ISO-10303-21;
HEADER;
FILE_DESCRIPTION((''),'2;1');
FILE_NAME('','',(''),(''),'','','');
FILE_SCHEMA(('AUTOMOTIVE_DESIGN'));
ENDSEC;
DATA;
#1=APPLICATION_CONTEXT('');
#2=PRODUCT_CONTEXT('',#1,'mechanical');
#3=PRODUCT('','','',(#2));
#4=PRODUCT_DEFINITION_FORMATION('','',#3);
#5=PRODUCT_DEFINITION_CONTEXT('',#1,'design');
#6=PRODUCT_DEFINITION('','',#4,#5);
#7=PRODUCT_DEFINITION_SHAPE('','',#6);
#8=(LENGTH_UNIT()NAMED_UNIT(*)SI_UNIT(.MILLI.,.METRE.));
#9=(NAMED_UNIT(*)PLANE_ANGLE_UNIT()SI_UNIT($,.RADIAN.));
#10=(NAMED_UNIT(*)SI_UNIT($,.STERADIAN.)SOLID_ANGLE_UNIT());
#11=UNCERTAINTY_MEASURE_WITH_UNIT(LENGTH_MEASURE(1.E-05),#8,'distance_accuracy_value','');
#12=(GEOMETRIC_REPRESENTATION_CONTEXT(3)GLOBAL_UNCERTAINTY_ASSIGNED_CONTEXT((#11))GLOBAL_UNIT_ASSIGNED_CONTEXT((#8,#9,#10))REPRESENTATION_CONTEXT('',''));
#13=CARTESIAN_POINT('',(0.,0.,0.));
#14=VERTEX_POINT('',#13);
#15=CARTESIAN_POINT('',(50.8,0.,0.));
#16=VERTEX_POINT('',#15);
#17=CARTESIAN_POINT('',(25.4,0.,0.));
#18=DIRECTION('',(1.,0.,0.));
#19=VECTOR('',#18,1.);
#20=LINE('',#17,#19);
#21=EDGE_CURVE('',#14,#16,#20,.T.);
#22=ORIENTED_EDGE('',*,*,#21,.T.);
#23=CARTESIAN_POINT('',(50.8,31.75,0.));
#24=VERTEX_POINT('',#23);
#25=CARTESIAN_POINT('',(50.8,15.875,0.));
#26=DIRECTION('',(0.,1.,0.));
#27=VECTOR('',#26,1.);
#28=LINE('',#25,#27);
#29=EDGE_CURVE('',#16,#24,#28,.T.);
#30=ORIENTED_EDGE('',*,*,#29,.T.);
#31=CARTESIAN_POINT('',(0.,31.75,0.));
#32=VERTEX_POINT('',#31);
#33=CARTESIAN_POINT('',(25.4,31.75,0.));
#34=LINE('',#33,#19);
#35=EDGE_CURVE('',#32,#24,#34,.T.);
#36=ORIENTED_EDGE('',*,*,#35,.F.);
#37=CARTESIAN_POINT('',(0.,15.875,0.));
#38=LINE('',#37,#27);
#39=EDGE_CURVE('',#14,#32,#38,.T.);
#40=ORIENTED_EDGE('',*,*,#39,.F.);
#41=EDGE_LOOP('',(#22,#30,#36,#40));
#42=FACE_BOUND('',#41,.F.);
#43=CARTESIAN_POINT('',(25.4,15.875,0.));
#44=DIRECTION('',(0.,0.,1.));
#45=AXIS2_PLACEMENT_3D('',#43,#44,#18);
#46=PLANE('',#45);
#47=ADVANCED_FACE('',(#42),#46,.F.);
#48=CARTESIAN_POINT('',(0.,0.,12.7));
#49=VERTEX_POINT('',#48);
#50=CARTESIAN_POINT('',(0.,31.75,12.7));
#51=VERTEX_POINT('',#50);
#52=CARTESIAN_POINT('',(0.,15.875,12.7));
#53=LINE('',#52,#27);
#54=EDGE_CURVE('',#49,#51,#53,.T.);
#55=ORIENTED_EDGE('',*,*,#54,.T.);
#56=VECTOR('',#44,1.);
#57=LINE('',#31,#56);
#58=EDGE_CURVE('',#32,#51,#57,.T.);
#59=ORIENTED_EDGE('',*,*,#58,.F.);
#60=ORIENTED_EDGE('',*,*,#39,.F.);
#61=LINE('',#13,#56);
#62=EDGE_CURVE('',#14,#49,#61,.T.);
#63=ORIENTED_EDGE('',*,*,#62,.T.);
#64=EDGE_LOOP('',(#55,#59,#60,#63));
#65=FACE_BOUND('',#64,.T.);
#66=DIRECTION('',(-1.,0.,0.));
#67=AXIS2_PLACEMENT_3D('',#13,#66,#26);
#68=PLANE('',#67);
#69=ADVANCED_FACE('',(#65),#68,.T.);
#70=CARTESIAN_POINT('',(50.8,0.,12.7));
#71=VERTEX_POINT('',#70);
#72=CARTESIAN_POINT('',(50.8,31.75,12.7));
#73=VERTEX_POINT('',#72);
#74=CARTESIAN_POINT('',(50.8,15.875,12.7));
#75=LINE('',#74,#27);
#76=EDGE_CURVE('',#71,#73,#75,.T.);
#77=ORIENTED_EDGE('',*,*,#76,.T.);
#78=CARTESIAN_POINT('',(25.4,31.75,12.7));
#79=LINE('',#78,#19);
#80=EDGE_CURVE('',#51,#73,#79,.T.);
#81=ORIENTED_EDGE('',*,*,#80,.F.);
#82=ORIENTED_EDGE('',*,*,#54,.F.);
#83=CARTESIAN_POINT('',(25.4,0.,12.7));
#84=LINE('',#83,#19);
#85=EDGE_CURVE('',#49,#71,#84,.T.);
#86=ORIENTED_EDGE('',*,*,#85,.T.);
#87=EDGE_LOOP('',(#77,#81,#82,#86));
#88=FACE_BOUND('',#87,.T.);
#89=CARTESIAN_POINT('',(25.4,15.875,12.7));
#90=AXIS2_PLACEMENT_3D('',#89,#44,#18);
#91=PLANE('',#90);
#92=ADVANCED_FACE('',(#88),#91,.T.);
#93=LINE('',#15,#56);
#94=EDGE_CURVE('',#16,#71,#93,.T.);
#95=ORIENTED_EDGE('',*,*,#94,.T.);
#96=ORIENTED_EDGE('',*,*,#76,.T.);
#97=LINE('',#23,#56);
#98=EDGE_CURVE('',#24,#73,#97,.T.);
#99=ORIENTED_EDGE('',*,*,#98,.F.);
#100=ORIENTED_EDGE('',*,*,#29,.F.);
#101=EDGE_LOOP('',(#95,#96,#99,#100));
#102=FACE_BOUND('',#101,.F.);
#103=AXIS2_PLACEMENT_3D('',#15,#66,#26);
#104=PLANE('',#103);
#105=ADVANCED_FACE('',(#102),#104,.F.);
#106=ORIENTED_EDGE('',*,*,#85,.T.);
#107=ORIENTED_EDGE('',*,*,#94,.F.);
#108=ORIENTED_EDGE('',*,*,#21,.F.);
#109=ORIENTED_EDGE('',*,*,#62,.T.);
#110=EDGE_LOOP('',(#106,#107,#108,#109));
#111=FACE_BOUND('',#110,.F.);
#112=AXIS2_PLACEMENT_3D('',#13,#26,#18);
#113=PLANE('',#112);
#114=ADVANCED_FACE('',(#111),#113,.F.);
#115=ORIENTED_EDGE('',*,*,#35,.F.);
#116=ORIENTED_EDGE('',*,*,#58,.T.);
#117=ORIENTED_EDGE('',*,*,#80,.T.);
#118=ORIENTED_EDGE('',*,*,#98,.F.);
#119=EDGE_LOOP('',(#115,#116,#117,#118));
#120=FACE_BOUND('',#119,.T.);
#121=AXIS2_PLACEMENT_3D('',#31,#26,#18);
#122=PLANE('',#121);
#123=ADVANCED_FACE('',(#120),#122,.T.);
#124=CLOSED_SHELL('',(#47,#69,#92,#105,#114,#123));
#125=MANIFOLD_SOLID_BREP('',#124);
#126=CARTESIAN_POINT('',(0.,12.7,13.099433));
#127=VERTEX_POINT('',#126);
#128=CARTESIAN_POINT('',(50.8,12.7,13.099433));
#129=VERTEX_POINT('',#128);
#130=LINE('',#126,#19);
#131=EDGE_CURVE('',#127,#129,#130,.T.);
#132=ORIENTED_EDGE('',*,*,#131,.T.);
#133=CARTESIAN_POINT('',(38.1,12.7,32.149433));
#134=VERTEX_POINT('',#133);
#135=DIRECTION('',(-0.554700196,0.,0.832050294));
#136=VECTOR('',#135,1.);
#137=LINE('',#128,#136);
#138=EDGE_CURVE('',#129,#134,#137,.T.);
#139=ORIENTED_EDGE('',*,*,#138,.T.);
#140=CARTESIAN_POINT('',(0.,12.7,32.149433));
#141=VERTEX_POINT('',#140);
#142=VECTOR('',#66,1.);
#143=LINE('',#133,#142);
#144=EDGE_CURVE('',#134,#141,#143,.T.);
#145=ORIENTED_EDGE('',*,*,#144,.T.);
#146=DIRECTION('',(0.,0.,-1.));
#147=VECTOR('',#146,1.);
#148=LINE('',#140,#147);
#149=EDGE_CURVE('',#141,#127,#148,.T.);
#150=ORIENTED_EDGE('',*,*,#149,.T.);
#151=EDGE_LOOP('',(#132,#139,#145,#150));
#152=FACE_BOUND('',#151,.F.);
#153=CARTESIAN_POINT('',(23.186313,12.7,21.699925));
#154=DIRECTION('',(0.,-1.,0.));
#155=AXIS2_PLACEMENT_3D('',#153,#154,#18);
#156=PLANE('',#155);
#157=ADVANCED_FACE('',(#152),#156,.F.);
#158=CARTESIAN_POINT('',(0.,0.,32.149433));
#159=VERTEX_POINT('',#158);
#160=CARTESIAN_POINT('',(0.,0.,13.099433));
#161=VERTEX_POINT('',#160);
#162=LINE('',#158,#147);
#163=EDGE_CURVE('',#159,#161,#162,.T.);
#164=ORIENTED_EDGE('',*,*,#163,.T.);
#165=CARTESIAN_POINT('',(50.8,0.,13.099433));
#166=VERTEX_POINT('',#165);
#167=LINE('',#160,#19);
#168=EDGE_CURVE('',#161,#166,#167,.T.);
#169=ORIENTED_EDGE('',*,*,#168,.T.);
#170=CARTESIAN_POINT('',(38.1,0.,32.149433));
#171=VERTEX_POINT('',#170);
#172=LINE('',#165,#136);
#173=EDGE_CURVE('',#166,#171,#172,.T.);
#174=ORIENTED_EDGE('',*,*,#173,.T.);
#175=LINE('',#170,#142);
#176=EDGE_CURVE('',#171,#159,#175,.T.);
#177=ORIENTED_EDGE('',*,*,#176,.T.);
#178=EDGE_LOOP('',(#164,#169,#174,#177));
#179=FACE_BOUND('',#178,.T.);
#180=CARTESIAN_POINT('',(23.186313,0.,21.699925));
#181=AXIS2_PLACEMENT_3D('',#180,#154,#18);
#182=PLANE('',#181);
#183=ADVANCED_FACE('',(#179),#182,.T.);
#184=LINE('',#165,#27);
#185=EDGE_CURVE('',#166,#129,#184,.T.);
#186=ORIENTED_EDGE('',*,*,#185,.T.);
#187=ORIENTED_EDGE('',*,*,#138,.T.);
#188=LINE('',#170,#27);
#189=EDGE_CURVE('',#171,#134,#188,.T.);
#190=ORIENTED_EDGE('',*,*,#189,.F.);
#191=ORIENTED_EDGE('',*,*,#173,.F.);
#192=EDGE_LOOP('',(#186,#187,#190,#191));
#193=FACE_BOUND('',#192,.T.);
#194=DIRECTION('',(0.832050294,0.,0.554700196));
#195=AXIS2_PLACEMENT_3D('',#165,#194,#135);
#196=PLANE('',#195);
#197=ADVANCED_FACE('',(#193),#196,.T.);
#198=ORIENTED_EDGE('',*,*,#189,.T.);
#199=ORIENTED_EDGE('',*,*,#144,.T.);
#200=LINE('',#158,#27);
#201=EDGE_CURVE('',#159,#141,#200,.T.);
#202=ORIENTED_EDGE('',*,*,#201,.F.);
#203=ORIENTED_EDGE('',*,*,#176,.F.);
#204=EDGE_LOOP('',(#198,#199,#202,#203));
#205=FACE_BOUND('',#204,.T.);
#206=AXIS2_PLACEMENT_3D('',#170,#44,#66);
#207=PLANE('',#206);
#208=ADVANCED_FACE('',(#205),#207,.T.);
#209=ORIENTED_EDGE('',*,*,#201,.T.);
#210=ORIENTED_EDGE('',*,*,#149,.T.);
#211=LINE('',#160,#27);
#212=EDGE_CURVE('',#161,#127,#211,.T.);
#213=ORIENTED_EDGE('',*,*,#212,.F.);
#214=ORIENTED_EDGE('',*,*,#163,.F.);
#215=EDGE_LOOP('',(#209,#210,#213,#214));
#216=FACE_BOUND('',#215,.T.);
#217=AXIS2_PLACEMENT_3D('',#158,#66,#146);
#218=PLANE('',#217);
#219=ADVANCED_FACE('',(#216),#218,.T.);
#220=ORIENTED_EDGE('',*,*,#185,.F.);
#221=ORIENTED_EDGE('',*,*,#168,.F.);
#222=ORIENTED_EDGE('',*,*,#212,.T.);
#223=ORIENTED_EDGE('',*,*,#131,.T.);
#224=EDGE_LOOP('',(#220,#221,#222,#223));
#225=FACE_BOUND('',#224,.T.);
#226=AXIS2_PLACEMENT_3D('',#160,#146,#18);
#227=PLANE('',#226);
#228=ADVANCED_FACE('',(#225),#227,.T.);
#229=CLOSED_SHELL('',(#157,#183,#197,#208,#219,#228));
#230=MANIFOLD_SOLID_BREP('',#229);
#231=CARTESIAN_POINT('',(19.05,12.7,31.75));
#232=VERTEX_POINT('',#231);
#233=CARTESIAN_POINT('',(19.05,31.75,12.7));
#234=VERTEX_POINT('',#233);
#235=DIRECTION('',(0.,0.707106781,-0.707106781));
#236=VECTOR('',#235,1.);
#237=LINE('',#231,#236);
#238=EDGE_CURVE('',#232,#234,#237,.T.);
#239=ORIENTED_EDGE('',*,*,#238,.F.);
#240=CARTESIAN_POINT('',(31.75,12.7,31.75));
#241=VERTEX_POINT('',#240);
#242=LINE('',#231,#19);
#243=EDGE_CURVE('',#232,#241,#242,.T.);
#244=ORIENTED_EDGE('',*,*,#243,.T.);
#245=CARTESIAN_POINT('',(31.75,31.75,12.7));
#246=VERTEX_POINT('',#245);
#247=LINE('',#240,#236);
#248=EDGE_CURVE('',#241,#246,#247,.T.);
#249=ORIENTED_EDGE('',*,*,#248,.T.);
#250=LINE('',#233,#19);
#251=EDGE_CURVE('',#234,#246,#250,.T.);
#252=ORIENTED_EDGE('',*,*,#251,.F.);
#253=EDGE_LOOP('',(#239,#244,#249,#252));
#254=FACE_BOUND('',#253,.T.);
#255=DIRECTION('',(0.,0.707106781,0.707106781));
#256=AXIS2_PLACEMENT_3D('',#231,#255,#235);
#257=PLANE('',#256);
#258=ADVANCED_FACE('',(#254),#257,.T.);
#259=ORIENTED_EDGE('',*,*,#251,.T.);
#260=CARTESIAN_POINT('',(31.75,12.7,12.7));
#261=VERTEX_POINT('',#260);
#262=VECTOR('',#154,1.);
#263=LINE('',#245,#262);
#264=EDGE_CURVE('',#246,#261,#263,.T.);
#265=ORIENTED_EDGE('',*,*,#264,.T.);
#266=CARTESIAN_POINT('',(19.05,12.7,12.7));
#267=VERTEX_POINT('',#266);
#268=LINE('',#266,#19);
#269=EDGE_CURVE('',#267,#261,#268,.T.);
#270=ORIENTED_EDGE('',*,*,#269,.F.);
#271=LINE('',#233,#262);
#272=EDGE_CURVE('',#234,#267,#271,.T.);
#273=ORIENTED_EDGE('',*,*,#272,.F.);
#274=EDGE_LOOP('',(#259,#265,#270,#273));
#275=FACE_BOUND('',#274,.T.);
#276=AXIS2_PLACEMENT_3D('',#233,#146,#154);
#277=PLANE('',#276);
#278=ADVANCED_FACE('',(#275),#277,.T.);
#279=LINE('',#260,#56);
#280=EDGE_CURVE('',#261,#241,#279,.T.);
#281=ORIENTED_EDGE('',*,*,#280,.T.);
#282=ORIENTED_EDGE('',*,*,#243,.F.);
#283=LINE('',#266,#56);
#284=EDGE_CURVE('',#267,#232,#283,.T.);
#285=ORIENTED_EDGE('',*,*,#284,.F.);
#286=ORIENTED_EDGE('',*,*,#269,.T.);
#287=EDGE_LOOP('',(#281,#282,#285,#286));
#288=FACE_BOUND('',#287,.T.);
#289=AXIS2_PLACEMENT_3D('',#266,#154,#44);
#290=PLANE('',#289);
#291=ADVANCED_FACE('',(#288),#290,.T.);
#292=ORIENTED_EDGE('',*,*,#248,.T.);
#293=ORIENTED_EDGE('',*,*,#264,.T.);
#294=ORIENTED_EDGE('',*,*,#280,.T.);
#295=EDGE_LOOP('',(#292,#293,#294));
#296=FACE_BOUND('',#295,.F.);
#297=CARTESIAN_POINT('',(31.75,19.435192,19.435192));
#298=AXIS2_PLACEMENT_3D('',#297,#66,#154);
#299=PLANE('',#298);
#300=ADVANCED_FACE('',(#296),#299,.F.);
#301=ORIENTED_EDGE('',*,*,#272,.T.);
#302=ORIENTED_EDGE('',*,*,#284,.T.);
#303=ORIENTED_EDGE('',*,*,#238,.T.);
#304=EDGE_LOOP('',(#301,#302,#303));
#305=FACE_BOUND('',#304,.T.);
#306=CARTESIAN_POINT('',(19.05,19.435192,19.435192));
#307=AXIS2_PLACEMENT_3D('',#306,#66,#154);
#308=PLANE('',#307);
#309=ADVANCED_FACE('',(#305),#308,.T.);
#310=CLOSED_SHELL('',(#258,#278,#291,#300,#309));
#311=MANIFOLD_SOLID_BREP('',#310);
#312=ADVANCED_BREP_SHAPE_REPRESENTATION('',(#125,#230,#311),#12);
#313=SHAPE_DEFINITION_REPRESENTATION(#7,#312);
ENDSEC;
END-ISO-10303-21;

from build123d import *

# Parameters (mm, degrees)
F0_W     = 50.8
F0_H     = 31.75
F1_DEPTH = 12.7
F3_DEPTH = 12.7
F5_DEPTH = 19.05
F6_DEPTH = 12.7


with BuildPart() as f1:
    # F0 (on Top) → F1 (new body)
    with BuildSketch(Plane.XY):
        with Locations((25.4, 15.875)):
            Rectangle(F0_W, F0_H)
    extrude(amount=F1_DEPTH)


with BuildPart() as f3:
    # F2 (on Front) → F3 (new body)
    with BuildSketch(Plane.XZ):
        Polygon((0, 32.1494329229), (0, 13.0994329229), (50.8, 13.0994329229), (38.1, 32.1494329229), align=None)
    extrude(amount=-F3_DEPTH)


with BuildPart() as f5:
    # F4 (on face) → F5 (new body)
    with BuildSketch(Plane(origin=(0, 0, 0), x_dir=(0, -1, 0), z_dir=(-1, 0, 0))):
        Polygon((-12.7, 31.75), (-31.75, 12.7), (-12.7, 12.7), align=None)
    extrude(amount=-F5_DEPTH)


with BuildPart() as f6:
    # F6 (new): a face of the model
    f6_faces = [f5.part.faces().sort_by_distance(p)[0] for p in [
        (19.05, 19.05, 19.05),
    ]]
    extrude(f6_faces, amount=F6_DEPTH)


solid = Compound([f1.part, f3.part, f6.part])
